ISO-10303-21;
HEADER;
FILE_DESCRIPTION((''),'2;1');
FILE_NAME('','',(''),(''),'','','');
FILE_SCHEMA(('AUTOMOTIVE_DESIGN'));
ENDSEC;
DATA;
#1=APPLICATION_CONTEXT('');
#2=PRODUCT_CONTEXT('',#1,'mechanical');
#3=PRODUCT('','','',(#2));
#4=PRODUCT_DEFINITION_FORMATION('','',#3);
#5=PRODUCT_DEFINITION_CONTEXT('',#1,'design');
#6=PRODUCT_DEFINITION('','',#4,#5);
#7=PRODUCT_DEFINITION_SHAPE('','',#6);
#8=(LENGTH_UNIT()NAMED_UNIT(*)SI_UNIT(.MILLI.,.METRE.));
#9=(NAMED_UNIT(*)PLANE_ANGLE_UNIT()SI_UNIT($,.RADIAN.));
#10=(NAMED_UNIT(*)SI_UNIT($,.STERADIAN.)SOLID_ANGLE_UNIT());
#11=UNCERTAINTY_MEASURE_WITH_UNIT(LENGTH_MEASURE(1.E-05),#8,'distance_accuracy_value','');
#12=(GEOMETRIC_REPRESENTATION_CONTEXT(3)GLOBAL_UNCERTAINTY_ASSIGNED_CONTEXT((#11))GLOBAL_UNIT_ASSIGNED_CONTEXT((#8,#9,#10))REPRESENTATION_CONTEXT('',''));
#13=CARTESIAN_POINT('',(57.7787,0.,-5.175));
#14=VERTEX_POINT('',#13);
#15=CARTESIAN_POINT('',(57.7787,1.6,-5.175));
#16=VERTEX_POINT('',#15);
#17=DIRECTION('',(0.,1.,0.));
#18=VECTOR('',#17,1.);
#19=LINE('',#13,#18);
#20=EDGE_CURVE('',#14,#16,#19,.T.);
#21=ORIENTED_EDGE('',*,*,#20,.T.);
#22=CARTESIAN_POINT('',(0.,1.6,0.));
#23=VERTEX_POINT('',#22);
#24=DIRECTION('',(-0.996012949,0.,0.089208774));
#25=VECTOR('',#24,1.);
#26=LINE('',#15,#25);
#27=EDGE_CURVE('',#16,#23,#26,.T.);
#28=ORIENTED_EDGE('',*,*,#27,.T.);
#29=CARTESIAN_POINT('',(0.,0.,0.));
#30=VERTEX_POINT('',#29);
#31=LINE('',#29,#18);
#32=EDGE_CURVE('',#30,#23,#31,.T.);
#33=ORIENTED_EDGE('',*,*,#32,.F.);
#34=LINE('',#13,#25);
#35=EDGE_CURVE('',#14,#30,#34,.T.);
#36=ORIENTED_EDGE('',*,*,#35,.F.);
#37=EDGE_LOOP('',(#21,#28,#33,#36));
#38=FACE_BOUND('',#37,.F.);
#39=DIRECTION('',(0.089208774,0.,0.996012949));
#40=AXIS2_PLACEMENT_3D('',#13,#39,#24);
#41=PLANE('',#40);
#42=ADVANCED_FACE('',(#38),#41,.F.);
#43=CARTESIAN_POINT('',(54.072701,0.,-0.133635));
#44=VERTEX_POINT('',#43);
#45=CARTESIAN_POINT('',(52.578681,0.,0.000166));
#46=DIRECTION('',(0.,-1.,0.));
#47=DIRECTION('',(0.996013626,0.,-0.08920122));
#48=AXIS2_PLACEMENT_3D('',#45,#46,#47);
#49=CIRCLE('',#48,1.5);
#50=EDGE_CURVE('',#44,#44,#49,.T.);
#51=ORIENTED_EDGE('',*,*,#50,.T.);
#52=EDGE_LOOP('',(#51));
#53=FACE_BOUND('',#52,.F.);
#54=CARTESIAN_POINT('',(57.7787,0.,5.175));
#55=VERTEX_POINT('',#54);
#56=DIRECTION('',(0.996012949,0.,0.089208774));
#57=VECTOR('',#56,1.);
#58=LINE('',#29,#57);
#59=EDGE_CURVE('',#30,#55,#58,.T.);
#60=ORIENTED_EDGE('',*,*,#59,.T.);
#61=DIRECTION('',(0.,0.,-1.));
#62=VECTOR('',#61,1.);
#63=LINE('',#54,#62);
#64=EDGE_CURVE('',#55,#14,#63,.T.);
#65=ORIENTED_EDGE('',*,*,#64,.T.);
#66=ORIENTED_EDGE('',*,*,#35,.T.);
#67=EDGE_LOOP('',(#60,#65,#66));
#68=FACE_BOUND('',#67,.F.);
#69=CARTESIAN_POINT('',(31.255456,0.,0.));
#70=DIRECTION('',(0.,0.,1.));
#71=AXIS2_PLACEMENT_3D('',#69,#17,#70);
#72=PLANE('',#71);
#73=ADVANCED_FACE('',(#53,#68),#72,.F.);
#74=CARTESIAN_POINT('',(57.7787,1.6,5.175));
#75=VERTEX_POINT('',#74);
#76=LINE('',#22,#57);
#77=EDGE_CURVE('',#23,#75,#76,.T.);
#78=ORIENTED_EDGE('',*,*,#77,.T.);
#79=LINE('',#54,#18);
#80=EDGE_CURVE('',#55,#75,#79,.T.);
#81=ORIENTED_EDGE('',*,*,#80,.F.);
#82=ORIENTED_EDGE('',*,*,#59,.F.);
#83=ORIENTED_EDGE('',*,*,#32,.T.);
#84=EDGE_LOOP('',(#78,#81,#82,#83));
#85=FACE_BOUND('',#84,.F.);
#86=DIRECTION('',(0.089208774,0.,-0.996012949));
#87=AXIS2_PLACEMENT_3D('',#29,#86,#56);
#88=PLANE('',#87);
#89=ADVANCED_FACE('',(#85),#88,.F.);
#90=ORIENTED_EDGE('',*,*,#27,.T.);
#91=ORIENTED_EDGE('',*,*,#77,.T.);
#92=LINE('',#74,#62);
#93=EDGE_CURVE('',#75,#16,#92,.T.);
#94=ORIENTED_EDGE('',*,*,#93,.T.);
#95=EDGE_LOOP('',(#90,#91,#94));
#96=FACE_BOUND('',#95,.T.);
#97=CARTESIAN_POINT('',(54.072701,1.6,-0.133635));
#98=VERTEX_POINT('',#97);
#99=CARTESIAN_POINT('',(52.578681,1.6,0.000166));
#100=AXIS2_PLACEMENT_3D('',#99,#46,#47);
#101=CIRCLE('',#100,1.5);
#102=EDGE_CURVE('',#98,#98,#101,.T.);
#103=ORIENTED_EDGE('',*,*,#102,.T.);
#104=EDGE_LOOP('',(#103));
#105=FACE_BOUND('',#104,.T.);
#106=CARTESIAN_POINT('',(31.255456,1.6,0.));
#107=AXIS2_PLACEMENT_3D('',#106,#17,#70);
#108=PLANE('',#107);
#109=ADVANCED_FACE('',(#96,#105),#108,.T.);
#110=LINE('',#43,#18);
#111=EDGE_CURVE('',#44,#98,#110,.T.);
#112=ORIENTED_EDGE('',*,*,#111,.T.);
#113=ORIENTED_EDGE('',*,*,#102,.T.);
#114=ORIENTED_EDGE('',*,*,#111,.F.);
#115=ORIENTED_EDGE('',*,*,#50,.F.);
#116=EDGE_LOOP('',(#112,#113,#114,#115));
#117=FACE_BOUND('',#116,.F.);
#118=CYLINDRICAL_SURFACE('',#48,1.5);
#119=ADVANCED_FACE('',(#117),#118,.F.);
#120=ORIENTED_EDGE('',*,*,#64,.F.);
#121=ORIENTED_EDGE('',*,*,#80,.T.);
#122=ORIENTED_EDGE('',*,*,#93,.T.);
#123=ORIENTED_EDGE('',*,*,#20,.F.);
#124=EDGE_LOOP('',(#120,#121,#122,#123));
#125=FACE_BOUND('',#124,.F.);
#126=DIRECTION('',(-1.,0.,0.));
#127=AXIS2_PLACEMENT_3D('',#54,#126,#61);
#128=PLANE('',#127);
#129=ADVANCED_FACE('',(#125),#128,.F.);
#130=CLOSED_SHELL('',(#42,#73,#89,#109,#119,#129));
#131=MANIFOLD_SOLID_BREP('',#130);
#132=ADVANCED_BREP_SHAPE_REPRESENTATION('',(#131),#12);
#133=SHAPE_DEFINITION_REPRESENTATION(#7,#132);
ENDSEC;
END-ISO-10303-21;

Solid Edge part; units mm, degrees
sketch "Sketch1" plane through (0, 0, 0) normal (0, -1, 0) x (1, 0, 0)
  line L0 (0, 0) -> (57.7787, 5.175)
  line L1 (57.7787, 5.175) -> (57.7787, -5.175)
  line L2 (57.7787, -5.175) -> (0, 0)
extrude "Protrusion1" add sketch "Sketch1" against normal blind 1.6
sketch "Sketch2" plane through (28.8062, 0, 0) normal (0, -1, 0) x (0.996, 0, -0.0892)
  circle A0 centre (23.6777, 2.1207) radius 1.5
extrude "Cutout1" cut sketch "Sketch2" against normal up to next
properties material "Wood, balsa"
